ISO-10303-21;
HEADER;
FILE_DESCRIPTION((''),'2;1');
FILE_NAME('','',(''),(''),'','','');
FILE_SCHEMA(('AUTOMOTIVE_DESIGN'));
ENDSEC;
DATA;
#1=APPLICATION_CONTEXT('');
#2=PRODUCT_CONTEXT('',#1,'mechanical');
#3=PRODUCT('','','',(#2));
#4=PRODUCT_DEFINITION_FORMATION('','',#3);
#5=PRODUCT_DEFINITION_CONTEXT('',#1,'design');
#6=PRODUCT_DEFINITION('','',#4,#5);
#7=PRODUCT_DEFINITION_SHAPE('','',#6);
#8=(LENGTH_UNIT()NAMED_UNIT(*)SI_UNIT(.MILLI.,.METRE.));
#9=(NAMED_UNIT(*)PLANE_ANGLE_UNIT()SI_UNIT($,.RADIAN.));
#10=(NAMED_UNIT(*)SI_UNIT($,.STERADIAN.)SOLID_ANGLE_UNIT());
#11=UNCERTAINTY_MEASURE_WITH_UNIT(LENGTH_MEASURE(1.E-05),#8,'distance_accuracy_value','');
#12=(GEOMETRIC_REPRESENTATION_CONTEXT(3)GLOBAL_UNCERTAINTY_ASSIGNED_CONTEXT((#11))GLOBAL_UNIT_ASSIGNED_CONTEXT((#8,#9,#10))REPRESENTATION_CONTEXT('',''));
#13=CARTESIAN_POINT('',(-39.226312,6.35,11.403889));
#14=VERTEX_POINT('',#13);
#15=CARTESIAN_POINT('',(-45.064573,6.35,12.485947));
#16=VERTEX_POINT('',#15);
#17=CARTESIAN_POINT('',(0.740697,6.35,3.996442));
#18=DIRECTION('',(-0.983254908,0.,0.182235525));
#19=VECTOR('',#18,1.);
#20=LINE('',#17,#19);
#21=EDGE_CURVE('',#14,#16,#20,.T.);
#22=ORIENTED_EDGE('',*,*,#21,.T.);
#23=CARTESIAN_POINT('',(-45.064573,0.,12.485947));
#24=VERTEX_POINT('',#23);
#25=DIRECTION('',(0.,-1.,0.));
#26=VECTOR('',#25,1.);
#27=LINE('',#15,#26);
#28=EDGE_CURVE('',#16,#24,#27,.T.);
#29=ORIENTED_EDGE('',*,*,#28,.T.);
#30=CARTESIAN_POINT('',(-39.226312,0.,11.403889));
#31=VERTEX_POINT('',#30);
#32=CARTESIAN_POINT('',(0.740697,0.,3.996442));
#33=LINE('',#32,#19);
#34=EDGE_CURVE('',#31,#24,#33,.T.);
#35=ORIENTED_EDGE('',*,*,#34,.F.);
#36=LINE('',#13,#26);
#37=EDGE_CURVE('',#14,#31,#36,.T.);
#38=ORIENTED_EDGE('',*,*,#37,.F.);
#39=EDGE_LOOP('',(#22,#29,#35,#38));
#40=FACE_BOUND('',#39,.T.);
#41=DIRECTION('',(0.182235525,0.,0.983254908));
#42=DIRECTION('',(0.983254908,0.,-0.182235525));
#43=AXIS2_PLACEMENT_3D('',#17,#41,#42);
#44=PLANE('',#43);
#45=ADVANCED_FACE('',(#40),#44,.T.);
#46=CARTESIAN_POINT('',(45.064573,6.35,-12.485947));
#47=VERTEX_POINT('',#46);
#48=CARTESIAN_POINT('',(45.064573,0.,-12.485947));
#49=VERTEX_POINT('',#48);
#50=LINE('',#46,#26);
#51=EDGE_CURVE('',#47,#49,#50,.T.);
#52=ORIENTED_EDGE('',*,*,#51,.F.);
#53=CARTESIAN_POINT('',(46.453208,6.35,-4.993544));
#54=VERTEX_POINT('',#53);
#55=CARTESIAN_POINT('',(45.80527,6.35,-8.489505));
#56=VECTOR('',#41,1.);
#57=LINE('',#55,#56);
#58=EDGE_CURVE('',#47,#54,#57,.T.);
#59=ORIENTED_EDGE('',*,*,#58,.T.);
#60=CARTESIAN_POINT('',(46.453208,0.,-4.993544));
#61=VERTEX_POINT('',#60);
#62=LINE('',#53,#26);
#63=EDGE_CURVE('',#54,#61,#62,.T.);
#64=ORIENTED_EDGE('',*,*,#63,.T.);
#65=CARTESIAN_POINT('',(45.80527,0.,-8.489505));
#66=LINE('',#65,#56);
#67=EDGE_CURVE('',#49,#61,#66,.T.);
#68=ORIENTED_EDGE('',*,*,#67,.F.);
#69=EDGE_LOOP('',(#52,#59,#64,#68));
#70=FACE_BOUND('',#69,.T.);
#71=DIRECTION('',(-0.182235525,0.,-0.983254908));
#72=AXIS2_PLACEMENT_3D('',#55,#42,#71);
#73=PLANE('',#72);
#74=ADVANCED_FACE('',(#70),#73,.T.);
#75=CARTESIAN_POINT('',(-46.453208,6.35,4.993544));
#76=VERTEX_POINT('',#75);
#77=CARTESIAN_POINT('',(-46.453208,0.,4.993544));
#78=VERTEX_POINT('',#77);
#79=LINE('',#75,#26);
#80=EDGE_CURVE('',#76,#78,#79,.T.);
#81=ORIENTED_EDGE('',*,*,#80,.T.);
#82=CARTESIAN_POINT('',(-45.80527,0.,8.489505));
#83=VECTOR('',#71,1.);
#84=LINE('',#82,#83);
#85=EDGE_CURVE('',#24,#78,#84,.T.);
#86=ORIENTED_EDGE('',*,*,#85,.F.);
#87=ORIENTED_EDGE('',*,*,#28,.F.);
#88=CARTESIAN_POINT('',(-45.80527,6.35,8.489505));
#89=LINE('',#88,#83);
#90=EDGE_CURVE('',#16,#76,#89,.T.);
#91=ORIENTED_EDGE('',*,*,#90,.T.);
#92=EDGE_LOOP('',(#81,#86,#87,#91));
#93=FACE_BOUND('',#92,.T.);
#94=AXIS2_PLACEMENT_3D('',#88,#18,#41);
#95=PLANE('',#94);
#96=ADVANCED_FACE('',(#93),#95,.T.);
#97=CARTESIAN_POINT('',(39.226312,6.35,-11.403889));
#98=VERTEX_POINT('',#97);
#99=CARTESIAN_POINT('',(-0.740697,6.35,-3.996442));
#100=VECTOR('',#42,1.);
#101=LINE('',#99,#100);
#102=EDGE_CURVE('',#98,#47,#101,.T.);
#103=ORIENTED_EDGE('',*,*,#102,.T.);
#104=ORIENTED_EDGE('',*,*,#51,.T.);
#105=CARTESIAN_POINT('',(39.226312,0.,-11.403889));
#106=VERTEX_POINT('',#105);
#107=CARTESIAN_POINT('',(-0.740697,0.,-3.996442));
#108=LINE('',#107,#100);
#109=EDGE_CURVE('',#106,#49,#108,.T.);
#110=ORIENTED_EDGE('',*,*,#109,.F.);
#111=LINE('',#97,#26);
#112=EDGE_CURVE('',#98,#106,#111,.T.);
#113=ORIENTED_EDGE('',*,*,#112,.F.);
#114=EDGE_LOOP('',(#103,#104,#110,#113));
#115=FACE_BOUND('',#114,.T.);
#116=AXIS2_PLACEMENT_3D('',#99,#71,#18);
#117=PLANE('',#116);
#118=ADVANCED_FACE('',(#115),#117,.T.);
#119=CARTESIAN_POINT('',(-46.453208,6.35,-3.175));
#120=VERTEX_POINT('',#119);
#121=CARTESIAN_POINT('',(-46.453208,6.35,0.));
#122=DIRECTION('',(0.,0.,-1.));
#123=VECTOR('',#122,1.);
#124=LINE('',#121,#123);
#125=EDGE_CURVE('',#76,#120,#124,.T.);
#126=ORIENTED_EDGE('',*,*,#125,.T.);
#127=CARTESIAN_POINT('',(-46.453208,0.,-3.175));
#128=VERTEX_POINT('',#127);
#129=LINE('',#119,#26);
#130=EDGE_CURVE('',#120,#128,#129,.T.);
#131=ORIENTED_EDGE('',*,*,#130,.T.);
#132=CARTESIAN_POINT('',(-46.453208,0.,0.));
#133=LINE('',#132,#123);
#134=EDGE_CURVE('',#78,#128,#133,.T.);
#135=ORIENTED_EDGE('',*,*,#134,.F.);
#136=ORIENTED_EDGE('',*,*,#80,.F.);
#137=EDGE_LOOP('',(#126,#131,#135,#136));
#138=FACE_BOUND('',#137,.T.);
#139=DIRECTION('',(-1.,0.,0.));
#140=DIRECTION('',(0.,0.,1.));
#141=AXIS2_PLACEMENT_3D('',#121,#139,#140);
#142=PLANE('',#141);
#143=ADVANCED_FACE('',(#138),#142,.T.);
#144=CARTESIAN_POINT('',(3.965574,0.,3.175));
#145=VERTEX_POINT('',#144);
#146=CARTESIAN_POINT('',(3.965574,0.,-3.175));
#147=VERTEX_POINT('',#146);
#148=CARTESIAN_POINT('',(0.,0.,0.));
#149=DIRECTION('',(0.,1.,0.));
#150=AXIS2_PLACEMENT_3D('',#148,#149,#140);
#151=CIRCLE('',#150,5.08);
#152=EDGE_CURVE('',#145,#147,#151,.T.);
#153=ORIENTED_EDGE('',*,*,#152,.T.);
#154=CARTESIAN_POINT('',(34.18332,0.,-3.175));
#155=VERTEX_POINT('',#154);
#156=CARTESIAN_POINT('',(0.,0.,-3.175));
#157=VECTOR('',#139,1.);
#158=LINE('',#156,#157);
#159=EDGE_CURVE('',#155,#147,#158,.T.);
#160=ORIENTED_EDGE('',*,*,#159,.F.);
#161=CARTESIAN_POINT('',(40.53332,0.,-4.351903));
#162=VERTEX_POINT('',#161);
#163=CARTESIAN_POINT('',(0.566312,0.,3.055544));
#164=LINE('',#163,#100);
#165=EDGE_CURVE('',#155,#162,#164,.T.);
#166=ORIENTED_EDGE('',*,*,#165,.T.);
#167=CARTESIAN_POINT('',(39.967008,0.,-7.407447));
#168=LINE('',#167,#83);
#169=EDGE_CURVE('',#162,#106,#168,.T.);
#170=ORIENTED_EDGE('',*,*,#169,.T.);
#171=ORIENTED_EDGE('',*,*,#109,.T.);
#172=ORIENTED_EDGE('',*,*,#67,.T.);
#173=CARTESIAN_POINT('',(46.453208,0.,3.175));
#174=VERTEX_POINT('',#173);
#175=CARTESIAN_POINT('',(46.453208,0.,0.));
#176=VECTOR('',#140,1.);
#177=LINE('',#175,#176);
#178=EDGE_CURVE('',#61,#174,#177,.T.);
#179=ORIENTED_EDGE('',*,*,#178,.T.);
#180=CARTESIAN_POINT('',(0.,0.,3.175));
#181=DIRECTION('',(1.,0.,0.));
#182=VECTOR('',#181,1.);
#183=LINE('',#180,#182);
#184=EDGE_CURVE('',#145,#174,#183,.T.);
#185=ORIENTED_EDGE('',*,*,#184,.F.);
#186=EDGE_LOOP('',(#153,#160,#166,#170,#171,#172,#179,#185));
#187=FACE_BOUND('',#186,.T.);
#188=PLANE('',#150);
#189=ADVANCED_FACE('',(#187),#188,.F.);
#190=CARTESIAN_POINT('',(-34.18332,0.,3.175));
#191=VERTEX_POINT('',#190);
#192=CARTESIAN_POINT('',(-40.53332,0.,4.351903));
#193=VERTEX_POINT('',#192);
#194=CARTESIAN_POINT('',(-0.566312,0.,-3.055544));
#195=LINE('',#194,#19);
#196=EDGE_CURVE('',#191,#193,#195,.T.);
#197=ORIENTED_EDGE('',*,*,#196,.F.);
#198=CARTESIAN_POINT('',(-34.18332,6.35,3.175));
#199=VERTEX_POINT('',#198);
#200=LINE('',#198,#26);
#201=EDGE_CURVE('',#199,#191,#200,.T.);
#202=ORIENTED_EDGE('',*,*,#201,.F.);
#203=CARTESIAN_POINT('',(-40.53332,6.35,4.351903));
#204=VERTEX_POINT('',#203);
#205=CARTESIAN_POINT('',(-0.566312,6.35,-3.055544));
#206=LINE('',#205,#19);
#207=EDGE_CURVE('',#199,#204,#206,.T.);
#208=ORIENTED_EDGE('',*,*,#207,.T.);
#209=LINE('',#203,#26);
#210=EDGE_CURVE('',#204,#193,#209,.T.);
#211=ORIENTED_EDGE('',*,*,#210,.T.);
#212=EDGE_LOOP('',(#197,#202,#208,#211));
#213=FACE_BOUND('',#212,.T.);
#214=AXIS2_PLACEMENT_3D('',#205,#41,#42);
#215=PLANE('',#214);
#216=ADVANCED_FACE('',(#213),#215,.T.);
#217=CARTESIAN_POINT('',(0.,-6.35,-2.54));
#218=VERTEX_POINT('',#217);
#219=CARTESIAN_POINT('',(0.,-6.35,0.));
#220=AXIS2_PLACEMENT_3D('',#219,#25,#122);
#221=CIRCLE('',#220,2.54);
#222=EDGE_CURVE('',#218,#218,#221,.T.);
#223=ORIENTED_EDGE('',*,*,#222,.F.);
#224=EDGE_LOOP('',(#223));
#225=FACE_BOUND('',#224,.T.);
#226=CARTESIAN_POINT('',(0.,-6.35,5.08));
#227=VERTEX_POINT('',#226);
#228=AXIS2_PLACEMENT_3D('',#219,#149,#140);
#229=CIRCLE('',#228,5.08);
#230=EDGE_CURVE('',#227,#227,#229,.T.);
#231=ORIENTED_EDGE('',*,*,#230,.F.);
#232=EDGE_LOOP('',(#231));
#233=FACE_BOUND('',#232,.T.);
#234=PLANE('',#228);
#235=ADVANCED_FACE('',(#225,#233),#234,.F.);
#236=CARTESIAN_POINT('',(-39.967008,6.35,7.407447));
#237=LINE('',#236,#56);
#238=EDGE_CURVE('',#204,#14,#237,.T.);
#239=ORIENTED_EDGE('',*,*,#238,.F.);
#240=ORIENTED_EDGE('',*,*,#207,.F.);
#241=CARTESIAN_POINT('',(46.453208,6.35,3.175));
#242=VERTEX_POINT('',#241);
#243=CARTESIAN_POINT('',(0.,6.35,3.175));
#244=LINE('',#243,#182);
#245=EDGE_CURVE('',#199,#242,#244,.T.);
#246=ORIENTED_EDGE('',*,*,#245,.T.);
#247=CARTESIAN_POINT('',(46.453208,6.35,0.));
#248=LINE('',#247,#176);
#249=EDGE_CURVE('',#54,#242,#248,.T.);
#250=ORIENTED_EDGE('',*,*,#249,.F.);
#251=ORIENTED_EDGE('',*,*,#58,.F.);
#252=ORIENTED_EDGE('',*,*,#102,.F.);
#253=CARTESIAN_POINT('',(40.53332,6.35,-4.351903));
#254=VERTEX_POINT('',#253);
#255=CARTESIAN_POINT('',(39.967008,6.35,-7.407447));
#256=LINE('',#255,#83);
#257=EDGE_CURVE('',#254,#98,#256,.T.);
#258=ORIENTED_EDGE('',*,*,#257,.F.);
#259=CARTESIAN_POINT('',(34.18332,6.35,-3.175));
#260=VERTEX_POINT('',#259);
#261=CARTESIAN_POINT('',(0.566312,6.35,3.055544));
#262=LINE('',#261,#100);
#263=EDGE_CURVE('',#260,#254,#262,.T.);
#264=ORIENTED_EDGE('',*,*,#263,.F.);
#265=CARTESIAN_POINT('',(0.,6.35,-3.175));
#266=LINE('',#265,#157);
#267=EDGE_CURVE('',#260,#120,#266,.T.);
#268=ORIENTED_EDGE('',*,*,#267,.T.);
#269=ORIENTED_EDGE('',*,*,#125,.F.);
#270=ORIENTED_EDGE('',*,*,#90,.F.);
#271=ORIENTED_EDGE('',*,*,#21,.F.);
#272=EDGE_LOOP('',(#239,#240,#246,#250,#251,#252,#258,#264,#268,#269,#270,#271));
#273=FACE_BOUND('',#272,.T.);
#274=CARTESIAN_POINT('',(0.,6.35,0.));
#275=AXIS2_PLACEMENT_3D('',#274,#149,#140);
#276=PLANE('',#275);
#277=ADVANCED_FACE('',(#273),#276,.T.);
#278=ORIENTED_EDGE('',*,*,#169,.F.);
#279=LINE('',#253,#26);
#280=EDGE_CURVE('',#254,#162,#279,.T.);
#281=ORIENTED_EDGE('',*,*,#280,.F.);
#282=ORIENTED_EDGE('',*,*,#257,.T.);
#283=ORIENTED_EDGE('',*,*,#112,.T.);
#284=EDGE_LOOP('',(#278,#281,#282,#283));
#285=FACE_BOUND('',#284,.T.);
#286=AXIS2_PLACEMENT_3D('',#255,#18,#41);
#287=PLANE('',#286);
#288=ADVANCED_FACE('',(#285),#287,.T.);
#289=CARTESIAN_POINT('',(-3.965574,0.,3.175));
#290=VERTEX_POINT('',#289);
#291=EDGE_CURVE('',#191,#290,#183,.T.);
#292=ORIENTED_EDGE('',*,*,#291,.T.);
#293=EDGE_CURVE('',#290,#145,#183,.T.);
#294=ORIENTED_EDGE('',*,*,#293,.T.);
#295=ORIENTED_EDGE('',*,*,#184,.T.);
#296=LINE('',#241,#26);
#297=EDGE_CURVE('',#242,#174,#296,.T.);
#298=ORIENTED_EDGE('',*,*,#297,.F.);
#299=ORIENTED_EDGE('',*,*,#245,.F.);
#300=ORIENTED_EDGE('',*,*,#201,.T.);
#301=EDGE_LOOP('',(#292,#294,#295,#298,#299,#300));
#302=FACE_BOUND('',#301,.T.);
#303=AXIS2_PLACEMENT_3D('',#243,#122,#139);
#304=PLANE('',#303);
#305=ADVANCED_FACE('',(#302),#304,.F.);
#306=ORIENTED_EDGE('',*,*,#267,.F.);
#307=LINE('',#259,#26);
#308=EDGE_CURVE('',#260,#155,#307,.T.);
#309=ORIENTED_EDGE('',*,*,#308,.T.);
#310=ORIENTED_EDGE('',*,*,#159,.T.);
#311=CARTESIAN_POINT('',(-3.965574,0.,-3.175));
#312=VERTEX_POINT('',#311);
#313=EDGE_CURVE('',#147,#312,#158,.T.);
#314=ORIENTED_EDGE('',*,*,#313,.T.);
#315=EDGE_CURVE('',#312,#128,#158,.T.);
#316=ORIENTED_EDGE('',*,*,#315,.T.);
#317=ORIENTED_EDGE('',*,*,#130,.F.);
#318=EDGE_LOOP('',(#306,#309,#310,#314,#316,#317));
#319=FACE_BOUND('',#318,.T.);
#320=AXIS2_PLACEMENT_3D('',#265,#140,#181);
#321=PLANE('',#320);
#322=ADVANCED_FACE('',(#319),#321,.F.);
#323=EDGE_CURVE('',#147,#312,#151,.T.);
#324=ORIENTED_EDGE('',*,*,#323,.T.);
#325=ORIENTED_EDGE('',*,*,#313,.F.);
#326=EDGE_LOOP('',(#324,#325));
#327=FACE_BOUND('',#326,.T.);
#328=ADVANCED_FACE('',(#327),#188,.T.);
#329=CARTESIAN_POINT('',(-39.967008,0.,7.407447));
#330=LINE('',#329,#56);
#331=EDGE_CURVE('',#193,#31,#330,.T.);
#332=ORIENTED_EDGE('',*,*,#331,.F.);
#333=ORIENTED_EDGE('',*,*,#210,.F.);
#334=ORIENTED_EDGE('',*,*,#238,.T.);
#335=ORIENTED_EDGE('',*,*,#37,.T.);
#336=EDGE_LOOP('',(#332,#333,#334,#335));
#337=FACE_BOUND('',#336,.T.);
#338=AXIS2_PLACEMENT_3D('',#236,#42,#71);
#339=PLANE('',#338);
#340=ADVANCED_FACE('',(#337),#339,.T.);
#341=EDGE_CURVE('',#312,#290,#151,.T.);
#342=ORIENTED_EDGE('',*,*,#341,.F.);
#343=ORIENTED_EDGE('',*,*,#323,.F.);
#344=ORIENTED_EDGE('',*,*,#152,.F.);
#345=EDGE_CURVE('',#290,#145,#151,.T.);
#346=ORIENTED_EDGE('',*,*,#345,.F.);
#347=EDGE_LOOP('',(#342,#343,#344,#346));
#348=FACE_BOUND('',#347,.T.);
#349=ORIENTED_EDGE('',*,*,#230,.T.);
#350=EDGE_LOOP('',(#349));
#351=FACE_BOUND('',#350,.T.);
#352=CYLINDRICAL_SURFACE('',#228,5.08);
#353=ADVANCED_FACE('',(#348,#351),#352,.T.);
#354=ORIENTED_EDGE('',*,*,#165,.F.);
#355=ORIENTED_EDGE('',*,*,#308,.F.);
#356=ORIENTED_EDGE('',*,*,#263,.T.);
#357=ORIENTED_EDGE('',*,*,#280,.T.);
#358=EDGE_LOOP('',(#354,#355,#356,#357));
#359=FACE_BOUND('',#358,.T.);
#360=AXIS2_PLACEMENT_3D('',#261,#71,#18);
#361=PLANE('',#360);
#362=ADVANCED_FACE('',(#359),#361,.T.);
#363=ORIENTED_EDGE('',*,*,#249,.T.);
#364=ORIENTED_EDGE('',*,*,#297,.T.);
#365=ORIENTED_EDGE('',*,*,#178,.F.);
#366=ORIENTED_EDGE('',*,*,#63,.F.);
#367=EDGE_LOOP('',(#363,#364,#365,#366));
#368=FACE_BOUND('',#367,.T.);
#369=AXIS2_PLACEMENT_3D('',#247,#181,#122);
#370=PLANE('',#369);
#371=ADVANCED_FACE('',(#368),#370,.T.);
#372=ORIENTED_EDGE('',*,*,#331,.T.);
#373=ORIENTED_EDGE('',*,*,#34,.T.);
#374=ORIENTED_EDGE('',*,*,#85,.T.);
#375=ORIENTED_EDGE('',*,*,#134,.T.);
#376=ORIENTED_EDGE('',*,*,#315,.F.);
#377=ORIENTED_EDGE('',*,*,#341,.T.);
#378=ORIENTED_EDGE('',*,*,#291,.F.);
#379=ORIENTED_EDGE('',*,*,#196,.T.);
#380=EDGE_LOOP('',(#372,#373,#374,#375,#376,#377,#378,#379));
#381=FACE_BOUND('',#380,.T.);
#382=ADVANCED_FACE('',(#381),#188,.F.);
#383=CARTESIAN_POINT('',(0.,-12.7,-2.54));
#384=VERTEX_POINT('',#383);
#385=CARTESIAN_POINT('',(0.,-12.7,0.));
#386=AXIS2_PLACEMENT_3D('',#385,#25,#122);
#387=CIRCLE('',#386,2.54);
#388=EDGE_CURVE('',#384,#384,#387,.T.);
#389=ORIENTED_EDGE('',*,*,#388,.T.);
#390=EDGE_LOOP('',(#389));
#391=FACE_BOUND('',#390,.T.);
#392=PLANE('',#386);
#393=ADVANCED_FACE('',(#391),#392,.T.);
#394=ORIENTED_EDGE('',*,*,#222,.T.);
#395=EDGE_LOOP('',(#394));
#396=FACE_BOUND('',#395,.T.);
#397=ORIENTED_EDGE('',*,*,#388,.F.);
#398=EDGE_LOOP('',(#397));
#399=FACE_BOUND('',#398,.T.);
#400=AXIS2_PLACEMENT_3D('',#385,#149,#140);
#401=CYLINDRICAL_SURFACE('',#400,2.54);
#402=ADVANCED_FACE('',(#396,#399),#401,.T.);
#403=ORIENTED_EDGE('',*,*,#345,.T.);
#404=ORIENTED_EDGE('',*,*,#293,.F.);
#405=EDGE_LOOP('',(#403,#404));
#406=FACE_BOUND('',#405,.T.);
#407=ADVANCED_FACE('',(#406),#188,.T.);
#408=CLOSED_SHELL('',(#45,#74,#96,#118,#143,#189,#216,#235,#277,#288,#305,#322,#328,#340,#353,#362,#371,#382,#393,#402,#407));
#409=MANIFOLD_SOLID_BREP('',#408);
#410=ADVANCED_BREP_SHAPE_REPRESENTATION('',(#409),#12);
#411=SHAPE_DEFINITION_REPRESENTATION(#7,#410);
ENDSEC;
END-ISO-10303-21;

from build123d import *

# Parameters (mm, degrees)
BOSS_EXTRUDE2_DEPTH = 6.35
CIRPATTERN8_COUNT   = 2
SKETCH17_R          = 5.08
BOSS_EXTRUDE3_DEPTH = 6.35
SKETCH18_R          = 2.54
BOSS_EXTRUDE4_DEPTH = 6.35


with BuildPart() as part:
    # Sketch16 → Boss-Extrude2 (new body)
    with BuildSketch(Plane(origin=(0, 0, 0), x_dir=(1, 0, 0), z_dir=(0, 1, 0))):
        Polygon((0, 3.175), (0, -3.175), (46.453207734, -3.175), (46.453207734, 4.99354435), (45.06457303, 12.485946745), (39.226311646, 11.403888956), (40.53332, 4.351902935), (34.18332, 3.175), align=None)
    boss_extrude2 = extrude(amount=BOSS_EXTRUDE2_DEPTH)

    # CirPattern8: Boss-Extrude2 ×2 about axis
    cirpattern8_axis = Axis((0, 11.461697207, 0), (0, -1, 0))
    for i in range(1, CIRPATTERN8_COUNT):
        add(boss_extrude2.rotate(cirpattern8_axis, i * 360 / CIRPATTERN8_COUNT))

    # Sketch17 → Boss-Extrude3 (add)
    with BuildSketch(Plane(origin=(0, 0, 0), x_dir=(1, 0, 0), z_dir=(0, 1, 0))):
        Circle(SKETCH17_R)
    extrude(amount=-BOSS_EXTRUDE3_DEPTH)

    # Sketch18 → Boss-Extrude4 (add)
    with BuildSketch(Plane.XZ.offset(6.35)):
        Circle(SKETCH18_R)
    extrude(amount=BOSS_EXTRUDE4_DEPTH)


solid = part.part
